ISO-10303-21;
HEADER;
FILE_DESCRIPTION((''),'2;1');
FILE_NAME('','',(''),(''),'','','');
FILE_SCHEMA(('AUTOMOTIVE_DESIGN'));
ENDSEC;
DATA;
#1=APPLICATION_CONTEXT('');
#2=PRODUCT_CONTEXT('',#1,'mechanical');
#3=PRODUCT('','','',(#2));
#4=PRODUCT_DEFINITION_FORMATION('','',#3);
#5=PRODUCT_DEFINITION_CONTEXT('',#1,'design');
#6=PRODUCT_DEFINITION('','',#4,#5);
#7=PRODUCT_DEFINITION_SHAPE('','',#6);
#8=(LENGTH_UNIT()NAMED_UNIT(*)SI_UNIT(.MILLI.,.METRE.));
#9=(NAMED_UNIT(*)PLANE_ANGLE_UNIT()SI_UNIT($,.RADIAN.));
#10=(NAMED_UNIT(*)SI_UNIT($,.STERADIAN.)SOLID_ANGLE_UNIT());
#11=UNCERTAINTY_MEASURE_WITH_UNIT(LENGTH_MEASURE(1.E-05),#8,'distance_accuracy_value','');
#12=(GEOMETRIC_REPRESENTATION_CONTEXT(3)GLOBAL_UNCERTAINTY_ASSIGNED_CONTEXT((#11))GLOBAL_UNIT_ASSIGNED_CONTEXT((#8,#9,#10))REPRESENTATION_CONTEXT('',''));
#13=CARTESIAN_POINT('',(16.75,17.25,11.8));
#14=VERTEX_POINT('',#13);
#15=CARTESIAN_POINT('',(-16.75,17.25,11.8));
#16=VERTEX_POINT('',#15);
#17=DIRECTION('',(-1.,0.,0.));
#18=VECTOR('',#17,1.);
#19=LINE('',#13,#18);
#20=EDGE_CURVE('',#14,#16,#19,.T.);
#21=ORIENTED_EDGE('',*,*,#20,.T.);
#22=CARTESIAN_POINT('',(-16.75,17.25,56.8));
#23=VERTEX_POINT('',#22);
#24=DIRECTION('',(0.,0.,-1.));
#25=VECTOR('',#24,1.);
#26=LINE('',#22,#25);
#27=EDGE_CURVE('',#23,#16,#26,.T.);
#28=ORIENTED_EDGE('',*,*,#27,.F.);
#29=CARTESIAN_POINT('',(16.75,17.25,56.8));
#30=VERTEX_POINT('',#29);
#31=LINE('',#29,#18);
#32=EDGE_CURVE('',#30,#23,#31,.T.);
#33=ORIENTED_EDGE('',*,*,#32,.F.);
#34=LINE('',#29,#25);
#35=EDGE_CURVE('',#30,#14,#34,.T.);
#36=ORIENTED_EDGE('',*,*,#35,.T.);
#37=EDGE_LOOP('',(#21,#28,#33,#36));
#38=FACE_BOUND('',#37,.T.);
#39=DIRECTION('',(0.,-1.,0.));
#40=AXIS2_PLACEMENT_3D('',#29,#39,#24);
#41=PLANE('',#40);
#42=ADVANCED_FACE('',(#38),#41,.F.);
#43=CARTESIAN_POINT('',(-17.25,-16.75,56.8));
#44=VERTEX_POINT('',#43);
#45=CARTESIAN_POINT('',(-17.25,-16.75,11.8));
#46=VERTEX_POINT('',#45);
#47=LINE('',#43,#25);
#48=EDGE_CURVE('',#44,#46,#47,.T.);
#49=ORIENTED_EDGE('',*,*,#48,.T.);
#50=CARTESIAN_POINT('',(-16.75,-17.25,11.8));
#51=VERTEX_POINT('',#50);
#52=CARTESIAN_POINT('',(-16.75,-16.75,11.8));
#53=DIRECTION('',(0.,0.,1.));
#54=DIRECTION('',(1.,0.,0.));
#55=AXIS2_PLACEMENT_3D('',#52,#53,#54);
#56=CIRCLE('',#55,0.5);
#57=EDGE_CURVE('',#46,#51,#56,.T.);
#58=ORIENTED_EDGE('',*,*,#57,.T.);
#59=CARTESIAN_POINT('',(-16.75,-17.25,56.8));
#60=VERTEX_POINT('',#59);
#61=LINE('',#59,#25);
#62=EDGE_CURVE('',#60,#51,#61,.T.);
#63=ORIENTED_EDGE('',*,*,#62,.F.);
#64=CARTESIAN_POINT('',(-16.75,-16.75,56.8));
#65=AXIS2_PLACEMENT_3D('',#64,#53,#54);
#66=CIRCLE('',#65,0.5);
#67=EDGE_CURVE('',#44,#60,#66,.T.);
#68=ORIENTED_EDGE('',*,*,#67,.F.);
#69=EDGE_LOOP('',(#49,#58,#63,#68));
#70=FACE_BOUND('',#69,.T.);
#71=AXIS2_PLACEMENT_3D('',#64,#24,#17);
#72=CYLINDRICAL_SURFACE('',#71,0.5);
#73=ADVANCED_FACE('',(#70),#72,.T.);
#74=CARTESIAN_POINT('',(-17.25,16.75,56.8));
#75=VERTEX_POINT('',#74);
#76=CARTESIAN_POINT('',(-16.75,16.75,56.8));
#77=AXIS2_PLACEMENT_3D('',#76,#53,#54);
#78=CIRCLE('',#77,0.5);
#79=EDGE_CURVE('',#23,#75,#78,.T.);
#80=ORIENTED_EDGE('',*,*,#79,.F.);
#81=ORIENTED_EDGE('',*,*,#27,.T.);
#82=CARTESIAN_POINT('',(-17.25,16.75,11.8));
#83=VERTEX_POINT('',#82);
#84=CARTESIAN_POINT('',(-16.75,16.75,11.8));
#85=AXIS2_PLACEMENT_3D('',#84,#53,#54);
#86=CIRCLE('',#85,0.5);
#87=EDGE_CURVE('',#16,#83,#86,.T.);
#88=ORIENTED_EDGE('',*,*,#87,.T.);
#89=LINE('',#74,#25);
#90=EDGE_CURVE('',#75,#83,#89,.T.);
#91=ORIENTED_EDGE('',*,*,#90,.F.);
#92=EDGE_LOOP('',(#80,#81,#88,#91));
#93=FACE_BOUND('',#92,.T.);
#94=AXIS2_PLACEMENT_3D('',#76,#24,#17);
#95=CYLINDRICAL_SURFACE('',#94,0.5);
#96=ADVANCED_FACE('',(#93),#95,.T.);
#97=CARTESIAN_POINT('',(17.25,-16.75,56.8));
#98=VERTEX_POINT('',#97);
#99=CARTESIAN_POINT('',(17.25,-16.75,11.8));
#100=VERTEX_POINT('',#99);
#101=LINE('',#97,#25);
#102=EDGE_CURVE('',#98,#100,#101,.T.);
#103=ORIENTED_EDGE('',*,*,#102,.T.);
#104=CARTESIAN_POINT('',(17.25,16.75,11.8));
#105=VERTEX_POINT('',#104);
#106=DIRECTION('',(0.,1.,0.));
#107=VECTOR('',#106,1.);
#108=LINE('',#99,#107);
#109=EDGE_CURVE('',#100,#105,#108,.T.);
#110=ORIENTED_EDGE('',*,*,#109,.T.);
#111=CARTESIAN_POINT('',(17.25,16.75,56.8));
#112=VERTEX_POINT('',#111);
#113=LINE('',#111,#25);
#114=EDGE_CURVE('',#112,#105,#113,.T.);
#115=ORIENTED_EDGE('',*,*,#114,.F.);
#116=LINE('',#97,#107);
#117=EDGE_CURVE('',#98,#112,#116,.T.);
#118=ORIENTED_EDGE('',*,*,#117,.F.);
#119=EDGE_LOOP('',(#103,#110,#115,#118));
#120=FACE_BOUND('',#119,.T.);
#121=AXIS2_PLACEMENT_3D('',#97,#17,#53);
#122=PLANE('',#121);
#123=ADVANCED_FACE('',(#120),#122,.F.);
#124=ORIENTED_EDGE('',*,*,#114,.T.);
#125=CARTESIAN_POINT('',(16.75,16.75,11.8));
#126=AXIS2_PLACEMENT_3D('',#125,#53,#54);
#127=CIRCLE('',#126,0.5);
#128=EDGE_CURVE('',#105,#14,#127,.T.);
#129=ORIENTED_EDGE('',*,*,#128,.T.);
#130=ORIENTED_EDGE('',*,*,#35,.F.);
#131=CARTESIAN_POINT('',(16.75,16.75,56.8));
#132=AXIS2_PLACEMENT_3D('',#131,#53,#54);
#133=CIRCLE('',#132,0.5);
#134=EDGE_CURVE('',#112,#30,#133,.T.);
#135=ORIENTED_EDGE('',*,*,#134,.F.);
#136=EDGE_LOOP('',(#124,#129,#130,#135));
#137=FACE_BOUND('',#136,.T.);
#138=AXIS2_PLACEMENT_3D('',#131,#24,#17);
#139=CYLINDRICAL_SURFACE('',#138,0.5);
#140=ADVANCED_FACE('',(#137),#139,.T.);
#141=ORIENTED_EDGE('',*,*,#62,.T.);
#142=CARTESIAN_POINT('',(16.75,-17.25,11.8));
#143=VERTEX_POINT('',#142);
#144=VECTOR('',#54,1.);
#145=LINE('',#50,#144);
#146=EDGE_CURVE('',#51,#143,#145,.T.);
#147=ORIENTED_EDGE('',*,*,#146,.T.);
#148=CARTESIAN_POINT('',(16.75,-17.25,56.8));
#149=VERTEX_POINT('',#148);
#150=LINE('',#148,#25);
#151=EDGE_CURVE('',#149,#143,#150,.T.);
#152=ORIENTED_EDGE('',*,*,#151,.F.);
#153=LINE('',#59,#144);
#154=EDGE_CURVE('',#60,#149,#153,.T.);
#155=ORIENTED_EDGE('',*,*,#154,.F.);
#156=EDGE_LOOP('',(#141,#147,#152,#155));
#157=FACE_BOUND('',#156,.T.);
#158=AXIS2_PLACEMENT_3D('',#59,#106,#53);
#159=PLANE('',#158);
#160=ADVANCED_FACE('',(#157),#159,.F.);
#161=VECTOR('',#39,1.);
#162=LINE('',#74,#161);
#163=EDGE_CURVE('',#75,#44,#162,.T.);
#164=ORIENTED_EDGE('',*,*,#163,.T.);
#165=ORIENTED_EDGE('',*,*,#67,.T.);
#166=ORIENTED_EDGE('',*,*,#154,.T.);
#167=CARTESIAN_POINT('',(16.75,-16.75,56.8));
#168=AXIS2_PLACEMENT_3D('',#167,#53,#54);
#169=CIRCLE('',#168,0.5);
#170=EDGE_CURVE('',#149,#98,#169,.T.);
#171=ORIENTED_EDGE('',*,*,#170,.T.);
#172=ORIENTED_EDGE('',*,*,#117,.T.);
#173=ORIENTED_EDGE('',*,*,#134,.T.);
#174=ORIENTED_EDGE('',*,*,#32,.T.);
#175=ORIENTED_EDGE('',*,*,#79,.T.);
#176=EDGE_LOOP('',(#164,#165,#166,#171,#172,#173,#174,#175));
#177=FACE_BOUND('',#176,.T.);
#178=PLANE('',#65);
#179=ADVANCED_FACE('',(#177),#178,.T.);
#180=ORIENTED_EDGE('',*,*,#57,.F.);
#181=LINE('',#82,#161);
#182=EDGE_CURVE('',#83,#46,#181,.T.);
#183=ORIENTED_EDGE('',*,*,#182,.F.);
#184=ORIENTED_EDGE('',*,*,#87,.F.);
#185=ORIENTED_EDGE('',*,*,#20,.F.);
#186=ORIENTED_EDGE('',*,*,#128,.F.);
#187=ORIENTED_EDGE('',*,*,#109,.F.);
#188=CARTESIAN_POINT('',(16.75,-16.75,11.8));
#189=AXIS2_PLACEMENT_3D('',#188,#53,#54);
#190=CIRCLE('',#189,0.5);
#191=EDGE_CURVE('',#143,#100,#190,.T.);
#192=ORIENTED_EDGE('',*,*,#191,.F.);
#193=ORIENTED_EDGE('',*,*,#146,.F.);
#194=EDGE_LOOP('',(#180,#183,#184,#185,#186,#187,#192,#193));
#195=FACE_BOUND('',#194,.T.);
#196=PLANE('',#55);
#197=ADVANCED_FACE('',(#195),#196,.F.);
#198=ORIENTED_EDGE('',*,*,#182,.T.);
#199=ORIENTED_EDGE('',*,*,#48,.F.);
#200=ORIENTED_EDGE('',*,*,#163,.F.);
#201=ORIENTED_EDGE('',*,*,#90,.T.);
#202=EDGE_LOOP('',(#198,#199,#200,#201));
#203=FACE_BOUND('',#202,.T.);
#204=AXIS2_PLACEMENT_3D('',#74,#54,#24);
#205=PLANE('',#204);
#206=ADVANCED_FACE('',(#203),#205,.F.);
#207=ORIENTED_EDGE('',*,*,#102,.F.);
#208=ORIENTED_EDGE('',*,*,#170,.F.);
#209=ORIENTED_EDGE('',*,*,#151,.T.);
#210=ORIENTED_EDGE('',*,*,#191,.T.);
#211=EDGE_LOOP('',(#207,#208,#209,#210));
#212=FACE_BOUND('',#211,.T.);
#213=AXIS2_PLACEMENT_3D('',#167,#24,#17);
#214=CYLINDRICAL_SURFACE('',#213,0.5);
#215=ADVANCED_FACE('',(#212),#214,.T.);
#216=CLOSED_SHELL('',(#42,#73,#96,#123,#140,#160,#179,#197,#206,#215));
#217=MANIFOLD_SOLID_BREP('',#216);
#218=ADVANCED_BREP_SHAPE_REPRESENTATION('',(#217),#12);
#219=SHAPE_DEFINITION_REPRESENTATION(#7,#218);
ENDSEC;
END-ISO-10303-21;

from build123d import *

# Parameters (mm, degrees)
EXTRUDE_START     = 11.8
EXTRUDE_0_5_DEPTH = 45


with BuildPart() as part:
    # 草图1 → 连续直线装板扫掠_带0.5余量 (new body)
    with BuildSketch(Plane.XY.offset(EXTRUDE_START)):
        with BuildLine():
            Line((-16.75, -17.25), (16.75, -17.25))
            ThreePointArc((16.75, -17.25), (17.103553391, -17.103553391), (17.25, -16.75))
            Line((17.25, -16.75), (17.25, 16.75))
            ThreePointArc((17.25, 16.75), (17.103553391, 17.103553391), (16.75, 17.25))
            Line((16.75, 17.25), (-16.75, 17.25))
            ThreePointArc((-16.75, 17.25), (-17.103553391, 17.103553391), (-17.25, 16.75))
            Line((-17.25, 16.75), (-17.25, -16.75))
            ThreePointArc((-17.25, -16.75), (-17.103553391, -17.103553391), (-16.75, -17.25))
        make_face()
    extrude(amount=EXTRUDE_0_5_DEPTH)


solid = part.part
